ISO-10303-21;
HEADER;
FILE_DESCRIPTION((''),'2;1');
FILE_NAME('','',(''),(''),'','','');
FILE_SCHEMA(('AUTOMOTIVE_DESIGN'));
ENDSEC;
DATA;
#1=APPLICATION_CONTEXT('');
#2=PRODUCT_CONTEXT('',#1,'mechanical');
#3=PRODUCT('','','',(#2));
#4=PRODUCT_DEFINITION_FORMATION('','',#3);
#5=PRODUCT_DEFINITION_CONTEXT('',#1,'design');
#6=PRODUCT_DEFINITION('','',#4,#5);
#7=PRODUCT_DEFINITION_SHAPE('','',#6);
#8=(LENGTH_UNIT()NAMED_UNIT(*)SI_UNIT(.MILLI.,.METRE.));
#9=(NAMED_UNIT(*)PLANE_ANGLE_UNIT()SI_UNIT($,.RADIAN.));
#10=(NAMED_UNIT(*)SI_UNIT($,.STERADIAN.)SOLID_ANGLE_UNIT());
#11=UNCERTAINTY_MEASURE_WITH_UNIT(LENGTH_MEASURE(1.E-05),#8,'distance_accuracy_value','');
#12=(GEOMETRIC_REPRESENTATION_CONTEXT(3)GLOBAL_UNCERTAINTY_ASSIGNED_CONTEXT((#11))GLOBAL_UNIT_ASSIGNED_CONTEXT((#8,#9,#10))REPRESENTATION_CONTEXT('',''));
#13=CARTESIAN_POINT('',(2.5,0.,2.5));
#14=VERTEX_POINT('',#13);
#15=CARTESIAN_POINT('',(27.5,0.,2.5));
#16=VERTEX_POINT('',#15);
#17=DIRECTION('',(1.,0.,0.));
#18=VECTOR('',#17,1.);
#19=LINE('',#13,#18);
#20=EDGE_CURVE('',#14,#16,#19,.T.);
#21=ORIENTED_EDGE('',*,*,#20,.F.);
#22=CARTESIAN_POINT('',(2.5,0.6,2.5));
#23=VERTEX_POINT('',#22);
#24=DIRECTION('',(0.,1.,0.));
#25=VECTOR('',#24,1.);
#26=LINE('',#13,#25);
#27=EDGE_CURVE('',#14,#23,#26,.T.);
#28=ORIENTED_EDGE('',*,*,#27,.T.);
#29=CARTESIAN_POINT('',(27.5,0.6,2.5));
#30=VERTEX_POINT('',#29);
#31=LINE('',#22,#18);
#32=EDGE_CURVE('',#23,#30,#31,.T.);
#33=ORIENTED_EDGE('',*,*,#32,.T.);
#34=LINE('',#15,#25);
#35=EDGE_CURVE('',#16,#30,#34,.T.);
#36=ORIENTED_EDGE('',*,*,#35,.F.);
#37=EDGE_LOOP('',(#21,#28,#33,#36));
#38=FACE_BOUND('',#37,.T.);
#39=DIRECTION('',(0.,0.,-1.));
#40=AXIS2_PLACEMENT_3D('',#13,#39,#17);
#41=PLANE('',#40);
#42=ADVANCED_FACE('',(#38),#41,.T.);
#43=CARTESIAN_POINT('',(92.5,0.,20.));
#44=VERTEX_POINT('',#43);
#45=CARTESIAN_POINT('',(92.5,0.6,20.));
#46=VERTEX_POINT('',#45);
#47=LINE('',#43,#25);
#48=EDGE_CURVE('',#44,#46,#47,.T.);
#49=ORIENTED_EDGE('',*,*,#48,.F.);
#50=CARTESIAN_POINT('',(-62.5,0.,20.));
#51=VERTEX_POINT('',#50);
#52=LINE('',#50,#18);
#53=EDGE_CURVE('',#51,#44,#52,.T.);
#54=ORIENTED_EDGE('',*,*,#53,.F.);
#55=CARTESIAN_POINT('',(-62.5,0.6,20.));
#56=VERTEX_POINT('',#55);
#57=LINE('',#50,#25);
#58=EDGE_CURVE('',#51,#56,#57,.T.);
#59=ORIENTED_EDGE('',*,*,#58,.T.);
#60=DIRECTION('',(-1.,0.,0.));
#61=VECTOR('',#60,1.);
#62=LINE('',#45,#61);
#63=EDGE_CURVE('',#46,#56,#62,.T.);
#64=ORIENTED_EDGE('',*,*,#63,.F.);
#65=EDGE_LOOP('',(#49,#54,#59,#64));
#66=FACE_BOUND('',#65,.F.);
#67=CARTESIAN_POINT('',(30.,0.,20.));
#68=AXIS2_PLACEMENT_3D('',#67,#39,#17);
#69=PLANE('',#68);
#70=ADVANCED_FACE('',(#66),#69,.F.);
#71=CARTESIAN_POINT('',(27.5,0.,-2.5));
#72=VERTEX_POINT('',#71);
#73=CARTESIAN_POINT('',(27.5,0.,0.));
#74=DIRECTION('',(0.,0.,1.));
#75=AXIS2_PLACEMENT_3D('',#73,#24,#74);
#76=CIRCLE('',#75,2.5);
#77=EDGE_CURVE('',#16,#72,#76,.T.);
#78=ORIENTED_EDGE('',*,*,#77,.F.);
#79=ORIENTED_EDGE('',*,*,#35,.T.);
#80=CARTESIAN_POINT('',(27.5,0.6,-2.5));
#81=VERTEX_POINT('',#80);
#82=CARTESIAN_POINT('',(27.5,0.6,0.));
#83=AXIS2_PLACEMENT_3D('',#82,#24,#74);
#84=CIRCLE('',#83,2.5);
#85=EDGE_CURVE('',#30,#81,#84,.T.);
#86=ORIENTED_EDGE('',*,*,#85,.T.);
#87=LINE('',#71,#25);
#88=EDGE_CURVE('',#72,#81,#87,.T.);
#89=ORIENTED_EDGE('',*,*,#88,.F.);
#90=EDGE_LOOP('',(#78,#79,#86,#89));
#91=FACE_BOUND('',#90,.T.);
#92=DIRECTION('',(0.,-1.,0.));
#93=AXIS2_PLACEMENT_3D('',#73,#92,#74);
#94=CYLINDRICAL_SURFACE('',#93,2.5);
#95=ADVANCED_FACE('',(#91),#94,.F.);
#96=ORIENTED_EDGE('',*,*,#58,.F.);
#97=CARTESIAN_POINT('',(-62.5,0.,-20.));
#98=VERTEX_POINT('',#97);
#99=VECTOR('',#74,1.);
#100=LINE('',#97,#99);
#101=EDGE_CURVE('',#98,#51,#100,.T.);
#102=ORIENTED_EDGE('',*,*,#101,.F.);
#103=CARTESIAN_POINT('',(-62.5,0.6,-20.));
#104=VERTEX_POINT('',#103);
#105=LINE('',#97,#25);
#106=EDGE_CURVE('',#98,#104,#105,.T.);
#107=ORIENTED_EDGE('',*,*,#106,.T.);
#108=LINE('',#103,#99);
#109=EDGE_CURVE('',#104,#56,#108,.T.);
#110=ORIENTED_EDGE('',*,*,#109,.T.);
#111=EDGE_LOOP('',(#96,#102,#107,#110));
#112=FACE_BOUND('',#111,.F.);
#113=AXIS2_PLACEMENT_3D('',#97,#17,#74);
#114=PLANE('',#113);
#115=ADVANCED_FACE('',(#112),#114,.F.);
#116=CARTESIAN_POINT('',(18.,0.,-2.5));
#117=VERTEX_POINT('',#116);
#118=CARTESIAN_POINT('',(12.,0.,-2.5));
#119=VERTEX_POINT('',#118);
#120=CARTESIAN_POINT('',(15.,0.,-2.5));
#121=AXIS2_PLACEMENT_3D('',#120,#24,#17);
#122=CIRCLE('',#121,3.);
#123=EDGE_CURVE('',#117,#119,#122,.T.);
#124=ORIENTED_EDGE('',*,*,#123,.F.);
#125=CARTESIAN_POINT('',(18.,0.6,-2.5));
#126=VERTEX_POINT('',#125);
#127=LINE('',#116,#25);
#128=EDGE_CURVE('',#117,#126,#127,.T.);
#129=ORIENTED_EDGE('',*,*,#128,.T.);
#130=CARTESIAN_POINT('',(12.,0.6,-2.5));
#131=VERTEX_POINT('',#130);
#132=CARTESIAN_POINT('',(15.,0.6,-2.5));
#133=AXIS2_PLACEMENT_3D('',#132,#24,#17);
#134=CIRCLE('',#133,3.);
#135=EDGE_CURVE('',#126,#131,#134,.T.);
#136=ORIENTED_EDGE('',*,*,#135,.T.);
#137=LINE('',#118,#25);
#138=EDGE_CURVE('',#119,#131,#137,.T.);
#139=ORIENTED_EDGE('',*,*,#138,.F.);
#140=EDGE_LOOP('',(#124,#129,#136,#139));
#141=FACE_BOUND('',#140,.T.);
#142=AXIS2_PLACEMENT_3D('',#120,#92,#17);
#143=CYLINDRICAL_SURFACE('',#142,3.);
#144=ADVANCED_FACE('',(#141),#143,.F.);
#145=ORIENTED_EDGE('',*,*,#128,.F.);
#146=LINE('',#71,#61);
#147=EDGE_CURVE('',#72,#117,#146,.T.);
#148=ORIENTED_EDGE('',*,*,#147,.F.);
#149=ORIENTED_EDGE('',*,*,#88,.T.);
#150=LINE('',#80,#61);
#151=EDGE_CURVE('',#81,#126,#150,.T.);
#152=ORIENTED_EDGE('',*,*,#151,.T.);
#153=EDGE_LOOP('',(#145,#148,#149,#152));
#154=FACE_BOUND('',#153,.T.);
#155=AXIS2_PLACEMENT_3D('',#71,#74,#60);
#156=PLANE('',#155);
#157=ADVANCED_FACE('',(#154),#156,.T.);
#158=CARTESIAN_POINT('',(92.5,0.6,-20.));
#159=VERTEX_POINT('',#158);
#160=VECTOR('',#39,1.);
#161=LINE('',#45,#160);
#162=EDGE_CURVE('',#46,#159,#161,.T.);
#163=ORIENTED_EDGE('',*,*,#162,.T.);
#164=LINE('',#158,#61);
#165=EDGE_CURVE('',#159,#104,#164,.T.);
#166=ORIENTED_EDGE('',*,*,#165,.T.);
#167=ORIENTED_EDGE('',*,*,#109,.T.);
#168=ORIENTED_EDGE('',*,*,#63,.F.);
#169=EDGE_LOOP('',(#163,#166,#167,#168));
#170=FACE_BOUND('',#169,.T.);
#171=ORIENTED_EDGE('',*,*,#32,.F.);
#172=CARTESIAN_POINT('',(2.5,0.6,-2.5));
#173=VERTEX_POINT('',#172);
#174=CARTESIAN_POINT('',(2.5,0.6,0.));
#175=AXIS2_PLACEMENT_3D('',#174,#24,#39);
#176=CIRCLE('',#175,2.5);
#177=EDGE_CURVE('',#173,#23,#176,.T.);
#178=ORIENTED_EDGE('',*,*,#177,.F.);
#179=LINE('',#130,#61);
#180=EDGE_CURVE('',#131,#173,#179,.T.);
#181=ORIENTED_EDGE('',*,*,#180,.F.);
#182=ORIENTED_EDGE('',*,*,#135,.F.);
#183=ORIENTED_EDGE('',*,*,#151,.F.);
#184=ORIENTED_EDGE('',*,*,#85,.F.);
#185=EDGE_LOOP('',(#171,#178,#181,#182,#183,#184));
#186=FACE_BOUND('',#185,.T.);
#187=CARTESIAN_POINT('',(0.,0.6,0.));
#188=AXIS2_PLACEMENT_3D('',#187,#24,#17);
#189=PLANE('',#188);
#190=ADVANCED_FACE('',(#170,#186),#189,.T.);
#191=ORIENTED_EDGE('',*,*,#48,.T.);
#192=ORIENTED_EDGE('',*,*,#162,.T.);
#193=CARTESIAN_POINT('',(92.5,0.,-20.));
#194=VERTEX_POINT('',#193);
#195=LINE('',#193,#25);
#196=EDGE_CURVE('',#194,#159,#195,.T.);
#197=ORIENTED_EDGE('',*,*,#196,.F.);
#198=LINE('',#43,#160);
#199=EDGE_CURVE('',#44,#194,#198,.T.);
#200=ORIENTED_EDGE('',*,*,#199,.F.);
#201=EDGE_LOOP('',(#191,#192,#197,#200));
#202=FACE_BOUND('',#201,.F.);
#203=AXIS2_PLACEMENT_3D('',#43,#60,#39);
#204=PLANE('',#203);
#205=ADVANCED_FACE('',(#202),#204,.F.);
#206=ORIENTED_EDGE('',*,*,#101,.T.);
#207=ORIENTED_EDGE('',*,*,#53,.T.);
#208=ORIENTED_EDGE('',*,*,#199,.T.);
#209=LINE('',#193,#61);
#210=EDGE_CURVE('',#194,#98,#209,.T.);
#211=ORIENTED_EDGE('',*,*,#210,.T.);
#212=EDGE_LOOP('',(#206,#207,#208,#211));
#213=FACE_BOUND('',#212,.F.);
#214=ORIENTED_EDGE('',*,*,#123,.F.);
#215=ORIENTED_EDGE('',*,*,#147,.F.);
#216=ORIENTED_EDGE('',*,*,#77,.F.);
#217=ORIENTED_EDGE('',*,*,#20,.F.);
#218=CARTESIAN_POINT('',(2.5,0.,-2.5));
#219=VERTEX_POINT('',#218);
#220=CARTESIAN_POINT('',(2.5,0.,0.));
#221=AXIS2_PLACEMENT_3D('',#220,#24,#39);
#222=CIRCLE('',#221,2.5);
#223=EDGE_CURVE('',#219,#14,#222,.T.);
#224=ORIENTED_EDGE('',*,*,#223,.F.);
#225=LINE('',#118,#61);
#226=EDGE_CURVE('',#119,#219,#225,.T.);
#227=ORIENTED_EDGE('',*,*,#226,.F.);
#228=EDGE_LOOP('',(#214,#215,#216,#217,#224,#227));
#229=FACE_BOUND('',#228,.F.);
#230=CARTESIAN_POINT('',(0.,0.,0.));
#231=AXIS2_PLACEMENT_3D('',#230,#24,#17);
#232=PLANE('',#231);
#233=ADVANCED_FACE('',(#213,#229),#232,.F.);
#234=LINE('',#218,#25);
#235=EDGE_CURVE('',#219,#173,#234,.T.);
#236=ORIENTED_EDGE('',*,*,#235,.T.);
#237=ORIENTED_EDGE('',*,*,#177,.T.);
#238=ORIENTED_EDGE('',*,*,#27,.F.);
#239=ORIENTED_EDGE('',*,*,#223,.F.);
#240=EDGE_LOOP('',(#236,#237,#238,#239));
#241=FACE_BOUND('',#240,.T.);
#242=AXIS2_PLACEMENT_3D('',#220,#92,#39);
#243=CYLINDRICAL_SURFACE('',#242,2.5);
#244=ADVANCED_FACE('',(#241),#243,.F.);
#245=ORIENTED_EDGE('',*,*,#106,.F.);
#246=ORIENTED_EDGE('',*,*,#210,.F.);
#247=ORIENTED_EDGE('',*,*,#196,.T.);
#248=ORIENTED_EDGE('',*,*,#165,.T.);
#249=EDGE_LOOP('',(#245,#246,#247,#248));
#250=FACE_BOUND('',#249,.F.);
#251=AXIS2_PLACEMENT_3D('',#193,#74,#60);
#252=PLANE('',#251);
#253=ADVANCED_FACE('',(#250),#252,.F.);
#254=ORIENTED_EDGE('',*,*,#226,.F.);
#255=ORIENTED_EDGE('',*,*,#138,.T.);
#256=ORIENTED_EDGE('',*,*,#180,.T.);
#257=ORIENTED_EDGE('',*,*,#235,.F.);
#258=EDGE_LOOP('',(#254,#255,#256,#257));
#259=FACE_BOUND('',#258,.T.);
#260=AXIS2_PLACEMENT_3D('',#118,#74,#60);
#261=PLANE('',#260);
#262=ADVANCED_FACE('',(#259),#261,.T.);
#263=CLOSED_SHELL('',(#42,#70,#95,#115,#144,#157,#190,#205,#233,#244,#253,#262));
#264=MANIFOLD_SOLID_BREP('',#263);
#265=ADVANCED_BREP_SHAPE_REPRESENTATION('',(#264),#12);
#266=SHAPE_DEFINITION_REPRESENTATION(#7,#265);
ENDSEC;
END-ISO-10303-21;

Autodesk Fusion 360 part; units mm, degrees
sketch "Sketch1" plane through (0, 0, 0) normal (0, 1, 0) x (1, 0, 0)
  line L0 (2.5, -2.5) -> (27.5, -2.5)
  arc A0 (27.5, -2.5) -> (27.5, 2.5) centre (27.5, 0) ccw
  arc A1 (2.5, 2.5) -> (2.5, -2.5) centre (2.5, 0) ccw
  line L1 (0, 0) -> (30, 0) construction
  line L2 (15, 2.5) -> (15, 10) construction
  line L3 (15, 2.5) -> (15, -7) construction
  arc A2 (18, 2.5) -> (12, 2.5) centre (15, 2.5) ccw
  line L4 (27.5, 2.5) -> (18, 2.5)
  line L5 (12, 2.5) -> (2.5, 2.5)
  point P0 (15, 0)
  dimension "d2" = 6
  dimension "d3" = 30
  dimension "d5" = 5
sketch "Sketch2" plane through (0, 0, 0) normal (0, 1, 0) x (1, 0, 0)
  line L0 (30, 10) -> (30, -30)
  line L1 (92.5, 20) -> (-62.5, 20)
  line L2 (-62.5, 20) -> (-62.5, -20)
  line L3 (-62.5, -20) -> (92.5, -20)
  line L4 (92.5, -20) -> (92.5, 20)
  line L5 (92.5, 20) -> (-62.5, -20) construction
  line L6 (-62.5, 20) -> (92.5, -20) construction
  point P0 (15, 0)
  point P1 (15, 0)
  dimension "d7" = 40
  dimension "d10" = 40
  dimension "d11" = 155
extrude "Extrude1" add sketch "Sketch2" sketch "Sketch1" along normal blind 0.6 of sketch 2
extrude "Extrude2" cut sketch "Sketch1" along normal up to surface (0.6 mm away)
sketch "Sketch3" plane through (0, 0.6, 0) normal (0, 1, 0) x (-1, 0, 0)
  line L0 (-27.5, 2.5) -> (-2.5, 2.5)
  arc A0 (-2.5, -2.5) -> (-2.5, 2.5) centre (-2.5, 0) ccw
  line L1 (-2.5, -2.5) -> (-12, -2.5)
  arc A1 (-18, -2.5) -> (-12, -2.5) centre (-15, -2.5) ccw
  line L2 (-18, -2.5) -> (-27.5, -2.5)
  arc A2 (-27.5, 2.5) -> (-27.5, -2.5) centre (-27.5, 0) ccw
  line L3 (-92.5, 20) -> (-92.5, -20)
  line L4 (-92.5, -20) -> (62.5, -20)
  line L5 (62.5, -20) -> (62.5, 20)
  line L6 (62.5, 20) -> (-92.5, 20)
  line L7 (-2.5, 2.5) -> (-27.5, 2.5)
  arc A3 (-27.5, 2.5) -> (-27.5, -2.5) centre (-27.5, 0) ccw
  line L8 (-27.5, -2.5) -> (-18, -2.5)
  arc A4 (-18, -2.5) -> (-12, -2.5) centre (-15, -2.5) ccw
  line L9 (-12, -2.5) -> (-2.5, -2.5)
  arc A5 (-2.5, -2.5) -> (-2.5, 2.5) centre (-2.5, 0) ccw
  line L10 (-92.5, -20) -> (-92.5, 20)
  line L11 (-92.5, 20) -> (62.5, 20)
  line L12 (62.5, 20) -> (62.5, -20)
  line L13 (62.5, -20) -> (-92.5, -20)
  line L14 (-15, -5.5) -> (-102, -5.5) construction
  line L15 (-15, -5.5) -> (63, -5.5) construction
  dimension "d17" = 8
equation "d7 = höhe"
equation "breite = 155 mm"
equation "höhe = 40 mm"
equation "d10 = höhe"
equation "d11 = breite"
equation "dicke = 0.6 mm"
equation "d13 = dicke"
